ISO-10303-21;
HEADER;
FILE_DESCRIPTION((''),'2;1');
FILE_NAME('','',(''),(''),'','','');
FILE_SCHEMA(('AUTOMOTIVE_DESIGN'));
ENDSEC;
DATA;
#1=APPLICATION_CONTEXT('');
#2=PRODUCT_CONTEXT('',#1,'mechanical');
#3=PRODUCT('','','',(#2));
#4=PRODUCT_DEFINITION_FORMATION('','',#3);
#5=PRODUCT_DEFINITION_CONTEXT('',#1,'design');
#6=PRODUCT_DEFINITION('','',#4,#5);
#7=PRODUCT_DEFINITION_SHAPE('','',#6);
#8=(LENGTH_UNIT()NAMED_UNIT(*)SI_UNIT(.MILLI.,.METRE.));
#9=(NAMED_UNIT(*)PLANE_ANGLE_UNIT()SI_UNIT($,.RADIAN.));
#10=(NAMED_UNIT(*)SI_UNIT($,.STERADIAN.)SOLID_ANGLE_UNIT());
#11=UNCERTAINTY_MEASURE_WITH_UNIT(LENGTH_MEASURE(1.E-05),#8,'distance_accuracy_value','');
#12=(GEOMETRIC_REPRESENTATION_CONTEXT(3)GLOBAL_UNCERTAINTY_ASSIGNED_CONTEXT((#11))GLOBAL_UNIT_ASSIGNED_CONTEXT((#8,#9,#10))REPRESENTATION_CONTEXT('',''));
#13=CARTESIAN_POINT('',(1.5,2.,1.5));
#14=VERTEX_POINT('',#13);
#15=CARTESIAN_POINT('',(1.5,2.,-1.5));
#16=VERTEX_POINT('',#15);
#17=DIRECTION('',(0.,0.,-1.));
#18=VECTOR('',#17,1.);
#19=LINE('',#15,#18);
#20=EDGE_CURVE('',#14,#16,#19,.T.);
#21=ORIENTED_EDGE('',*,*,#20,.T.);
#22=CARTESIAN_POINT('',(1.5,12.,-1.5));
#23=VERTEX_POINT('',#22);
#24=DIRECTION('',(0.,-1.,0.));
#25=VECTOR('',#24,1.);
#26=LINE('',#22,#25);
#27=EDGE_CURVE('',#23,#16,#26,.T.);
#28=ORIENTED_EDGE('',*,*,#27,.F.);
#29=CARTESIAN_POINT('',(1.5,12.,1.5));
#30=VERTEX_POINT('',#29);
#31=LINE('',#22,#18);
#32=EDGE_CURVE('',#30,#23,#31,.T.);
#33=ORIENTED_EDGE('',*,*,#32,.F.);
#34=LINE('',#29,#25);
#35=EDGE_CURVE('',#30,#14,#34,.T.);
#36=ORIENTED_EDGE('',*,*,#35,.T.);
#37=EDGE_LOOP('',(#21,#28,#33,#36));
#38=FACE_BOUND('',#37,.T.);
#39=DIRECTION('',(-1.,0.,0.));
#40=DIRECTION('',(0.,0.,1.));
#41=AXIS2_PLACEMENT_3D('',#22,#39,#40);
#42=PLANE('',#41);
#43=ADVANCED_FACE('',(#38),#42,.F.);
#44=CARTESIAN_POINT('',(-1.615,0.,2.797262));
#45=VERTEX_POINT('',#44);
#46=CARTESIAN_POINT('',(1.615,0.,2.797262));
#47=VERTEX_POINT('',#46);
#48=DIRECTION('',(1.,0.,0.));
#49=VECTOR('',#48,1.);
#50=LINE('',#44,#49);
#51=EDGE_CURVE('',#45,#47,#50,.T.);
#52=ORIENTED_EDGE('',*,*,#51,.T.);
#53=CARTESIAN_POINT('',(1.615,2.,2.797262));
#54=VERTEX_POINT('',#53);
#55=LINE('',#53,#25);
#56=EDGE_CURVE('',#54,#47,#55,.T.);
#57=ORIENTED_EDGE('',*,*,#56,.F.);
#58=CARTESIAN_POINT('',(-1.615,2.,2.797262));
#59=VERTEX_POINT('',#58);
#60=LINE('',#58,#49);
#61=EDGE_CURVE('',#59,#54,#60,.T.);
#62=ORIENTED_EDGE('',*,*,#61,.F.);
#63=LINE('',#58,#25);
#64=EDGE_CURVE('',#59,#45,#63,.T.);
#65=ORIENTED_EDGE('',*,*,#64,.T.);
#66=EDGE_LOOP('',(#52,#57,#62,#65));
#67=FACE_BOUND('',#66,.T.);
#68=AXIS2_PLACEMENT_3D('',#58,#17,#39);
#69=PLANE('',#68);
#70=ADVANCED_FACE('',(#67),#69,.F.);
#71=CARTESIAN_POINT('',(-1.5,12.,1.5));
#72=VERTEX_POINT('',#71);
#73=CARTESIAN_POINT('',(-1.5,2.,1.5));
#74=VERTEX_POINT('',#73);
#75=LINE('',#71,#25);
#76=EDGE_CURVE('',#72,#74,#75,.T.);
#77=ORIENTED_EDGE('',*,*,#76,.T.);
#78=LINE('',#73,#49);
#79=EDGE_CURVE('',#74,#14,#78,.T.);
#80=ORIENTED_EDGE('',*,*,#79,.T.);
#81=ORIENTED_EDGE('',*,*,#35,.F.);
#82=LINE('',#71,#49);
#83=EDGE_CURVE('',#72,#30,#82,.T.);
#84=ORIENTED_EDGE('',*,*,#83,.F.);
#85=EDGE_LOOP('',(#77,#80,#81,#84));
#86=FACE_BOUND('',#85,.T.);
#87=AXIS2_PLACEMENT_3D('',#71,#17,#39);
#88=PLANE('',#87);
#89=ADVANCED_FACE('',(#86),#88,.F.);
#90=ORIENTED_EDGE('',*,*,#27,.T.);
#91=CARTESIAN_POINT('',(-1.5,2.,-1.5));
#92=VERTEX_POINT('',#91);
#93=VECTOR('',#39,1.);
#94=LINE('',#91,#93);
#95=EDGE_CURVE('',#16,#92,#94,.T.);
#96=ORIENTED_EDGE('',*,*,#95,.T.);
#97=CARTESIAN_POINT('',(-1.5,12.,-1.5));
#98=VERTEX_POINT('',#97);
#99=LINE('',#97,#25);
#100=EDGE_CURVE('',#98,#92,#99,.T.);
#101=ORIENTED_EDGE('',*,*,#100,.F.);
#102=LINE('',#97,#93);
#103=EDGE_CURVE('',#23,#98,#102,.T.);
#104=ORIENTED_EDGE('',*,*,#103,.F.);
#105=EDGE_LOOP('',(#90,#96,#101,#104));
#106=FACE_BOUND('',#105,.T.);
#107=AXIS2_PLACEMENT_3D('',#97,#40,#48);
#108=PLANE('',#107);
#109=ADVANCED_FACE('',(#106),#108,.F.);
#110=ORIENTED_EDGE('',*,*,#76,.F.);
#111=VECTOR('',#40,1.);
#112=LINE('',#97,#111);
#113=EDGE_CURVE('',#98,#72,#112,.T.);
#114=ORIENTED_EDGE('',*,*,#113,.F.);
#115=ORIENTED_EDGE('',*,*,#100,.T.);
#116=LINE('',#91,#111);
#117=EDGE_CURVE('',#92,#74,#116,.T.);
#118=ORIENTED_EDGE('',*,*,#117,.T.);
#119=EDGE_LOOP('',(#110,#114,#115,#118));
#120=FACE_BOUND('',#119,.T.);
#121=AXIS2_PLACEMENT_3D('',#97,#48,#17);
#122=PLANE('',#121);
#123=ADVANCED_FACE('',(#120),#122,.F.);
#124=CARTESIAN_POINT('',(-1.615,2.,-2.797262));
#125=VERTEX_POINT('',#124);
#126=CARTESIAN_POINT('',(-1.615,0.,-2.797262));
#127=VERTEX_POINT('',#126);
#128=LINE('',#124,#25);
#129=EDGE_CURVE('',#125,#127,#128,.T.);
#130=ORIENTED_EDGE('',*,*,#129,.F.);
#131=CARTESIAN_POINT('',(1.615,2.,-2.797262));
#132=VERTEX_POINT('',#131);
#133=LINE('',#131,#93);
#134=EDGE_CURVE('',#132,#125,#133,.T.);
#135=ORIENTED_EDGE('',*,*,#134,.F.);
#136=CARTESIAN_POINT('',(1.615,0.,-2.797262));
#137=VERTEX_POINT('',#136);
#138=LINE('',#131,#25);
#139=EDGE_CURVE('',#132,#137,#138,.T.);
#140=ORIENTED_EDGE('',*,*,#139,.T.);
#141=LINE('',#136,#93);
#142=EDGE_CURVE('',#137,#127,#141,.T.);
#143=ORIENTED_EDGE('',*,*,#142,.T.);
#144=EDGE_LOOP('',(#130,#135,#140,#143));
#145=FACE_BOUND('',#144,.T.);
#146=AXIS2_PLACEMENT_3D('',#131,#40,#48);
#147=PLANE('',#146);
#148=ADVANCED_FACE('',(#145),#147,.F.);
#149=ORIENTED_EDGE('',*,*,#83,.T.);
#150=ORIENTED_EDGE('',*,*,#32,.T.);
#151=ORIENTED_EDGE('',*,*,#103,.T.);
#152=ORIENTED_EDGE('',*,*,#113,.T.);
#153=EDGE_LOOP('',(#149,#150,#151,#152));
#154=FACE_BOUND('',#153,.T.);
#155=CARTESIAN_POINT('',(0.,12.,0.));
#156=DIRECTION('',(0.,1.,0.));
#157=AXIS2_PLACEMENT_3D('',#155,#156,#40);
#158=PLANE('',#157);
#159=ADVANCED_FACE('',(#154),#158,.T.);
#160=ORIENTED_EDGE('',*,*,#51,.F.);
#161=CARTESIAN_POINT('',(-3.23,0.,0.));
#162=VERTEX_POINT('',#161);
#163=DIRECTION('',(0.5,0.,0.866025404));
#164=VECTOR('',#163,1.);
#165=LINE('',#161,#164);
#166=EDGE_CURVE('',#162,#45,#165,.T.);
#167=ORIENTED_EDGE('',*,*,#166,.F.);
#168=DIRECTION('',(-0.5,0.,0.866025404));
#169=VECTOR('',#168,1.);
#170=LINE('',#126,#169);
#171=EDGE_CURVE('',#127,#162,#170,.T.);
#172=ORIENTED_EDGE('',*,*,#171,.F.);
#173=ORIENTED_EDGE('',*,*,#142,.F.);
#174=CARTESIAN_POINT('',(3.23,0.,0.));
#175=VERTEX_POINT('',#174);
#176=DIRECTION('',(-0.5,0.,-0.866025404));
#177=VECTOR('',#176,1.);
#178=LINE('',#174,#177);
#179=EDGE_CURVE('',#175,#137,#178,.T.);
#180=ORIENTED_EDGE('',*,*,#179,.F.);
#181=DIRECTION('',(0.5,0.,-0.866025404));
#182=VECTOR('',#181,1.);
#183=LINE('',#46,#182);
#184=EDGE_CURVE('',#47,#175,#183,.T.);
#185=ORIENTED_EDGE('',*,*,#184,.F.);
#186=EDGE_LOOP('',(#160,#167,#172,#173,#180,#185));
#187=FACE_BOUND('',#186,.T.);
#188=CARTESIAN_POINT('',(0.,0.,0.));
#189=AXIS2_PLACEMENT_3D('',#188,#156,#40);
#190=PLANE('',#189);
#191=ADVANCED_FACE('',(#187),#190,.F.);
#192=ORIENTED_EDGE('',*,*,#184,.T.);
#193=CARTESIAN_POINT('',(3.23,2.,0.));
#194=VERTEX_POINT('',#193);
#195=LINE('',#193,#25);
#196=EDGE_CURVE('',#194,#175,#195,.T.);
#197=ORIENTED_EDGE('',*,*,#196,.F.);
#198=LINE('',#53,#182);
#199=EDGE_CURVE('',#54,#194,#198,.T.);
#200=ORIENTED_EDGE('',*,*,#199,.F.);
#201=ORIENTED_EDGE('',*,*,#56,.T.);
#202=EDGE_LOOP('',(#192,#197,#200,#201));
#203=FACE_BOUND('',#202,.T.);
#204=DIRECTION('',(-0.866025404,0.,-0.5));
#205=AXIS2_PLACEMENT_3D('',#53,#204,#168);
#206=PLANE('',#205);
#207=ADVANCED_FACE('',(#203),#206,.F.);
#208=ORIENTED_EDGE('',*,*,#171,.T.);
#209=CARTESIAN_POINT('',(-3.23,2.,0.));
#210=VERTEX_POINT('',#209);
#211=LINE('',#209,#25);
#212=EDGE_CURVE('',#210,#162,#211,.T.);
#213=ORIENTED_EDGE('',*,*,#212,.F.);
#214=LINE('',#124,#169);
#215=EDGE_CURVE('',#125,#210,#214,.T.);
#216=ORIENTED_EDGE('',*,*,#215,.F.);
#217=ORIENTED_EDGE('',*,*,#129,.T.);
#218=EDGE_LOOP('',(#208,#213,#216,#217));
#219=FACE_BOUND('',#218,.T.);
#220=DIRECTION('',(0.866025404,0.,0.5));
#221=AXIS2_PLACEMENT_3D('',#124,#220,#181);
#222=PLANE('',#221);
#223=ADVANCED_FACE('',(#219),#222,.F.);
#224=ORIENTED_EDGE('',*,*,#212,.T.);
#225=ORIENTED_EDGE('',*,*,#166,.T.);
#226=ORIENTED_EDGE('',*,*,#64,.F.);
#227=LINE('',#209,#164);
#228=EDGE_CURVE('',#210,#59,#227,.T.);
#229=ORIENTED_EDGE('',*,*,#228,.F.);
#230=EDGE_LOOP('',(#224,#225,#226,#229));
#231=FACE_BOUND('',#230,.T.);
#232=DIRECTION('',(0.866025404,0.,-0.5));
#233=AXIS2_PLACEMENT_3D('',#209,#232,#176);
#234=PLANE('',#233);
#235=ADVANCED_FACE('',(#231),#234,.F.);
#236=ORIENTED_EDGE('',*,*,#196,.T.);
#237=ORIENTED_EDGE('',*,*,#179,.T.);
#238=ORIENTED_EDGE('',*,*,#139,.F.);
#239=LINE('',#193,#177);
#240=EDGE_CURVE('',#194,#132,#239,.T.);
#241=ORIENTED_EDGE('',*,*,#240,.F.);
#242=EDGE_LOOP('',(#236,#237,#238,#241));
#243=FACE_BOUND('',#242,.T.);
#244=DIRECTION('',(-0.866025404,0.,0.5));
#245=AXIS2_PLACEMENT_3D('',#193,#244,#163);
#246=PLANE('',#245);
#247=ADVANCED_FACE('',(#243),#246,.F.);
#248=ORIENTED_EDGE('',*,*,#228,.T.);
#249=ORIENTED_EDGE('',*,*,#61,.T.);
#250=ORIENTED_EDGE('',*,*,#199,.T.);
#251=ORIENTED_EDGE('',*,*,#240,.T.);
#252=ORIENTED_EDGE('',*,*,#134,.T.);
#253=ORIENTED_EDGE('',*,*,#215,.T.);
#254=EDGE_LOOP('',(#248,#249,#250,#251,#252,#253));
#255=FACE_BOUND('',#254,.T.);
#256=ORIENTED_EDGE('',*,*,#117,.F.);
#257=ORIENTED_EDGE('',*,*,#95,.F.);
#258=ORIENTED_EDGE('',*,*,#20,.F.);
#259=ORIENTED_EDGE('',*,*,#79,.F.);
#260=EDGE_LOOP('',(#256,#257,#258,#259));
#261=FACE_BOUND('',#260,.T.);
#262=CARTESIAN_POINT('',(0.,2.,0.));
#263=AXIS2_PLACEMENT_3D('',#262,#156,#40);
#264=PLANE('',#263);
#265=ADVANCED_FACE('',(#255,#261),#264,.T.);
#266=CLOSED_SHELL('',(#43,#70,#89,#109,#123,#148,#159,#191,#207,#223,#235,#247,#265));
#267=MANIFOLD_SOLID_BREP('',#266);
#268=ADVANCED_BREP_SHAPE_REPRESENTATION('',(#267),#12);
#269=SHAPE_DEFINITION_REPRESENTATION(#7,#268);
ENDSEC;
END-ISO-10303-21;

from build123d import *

# Parameters (mm, degrees)
EXTRUDE_1_DEPTH = 2
SKETCH_2_W      = 3
SKETCH_2_H      = 3
EXTRUDE_2_DEPTH = 10


with BuildPart() as part:
    # 스케치1 → 보스-돌출1 (new body)
    with BuildSketch(Plane(origin=(0, 0, 0), x_dir=(1, 0, 0), z_dir=(0, 1, 0))):
        Polygon((3.23, 0), (1.615, 2.797262054), (-1.615, 2.797262054), (-3.23, 0), (-1.615, -2.797262054), (1.615, -2.797262054), align=None)
    extrude(amount=EXTRUDE_1_DEPTH)

    # 스케치2 → 보스-돌출2 (add)
    with BuildSketch(Plane(origin=(0, 2, 0), x_dir=(1, 0, 0), z_dir=(0, 1, 0))):
        Rectangle(SKETCH_2_W, SKETCH_2_H)
    extrude(amount=EXTRUDE_2_DEPTH)


solid = part.part
